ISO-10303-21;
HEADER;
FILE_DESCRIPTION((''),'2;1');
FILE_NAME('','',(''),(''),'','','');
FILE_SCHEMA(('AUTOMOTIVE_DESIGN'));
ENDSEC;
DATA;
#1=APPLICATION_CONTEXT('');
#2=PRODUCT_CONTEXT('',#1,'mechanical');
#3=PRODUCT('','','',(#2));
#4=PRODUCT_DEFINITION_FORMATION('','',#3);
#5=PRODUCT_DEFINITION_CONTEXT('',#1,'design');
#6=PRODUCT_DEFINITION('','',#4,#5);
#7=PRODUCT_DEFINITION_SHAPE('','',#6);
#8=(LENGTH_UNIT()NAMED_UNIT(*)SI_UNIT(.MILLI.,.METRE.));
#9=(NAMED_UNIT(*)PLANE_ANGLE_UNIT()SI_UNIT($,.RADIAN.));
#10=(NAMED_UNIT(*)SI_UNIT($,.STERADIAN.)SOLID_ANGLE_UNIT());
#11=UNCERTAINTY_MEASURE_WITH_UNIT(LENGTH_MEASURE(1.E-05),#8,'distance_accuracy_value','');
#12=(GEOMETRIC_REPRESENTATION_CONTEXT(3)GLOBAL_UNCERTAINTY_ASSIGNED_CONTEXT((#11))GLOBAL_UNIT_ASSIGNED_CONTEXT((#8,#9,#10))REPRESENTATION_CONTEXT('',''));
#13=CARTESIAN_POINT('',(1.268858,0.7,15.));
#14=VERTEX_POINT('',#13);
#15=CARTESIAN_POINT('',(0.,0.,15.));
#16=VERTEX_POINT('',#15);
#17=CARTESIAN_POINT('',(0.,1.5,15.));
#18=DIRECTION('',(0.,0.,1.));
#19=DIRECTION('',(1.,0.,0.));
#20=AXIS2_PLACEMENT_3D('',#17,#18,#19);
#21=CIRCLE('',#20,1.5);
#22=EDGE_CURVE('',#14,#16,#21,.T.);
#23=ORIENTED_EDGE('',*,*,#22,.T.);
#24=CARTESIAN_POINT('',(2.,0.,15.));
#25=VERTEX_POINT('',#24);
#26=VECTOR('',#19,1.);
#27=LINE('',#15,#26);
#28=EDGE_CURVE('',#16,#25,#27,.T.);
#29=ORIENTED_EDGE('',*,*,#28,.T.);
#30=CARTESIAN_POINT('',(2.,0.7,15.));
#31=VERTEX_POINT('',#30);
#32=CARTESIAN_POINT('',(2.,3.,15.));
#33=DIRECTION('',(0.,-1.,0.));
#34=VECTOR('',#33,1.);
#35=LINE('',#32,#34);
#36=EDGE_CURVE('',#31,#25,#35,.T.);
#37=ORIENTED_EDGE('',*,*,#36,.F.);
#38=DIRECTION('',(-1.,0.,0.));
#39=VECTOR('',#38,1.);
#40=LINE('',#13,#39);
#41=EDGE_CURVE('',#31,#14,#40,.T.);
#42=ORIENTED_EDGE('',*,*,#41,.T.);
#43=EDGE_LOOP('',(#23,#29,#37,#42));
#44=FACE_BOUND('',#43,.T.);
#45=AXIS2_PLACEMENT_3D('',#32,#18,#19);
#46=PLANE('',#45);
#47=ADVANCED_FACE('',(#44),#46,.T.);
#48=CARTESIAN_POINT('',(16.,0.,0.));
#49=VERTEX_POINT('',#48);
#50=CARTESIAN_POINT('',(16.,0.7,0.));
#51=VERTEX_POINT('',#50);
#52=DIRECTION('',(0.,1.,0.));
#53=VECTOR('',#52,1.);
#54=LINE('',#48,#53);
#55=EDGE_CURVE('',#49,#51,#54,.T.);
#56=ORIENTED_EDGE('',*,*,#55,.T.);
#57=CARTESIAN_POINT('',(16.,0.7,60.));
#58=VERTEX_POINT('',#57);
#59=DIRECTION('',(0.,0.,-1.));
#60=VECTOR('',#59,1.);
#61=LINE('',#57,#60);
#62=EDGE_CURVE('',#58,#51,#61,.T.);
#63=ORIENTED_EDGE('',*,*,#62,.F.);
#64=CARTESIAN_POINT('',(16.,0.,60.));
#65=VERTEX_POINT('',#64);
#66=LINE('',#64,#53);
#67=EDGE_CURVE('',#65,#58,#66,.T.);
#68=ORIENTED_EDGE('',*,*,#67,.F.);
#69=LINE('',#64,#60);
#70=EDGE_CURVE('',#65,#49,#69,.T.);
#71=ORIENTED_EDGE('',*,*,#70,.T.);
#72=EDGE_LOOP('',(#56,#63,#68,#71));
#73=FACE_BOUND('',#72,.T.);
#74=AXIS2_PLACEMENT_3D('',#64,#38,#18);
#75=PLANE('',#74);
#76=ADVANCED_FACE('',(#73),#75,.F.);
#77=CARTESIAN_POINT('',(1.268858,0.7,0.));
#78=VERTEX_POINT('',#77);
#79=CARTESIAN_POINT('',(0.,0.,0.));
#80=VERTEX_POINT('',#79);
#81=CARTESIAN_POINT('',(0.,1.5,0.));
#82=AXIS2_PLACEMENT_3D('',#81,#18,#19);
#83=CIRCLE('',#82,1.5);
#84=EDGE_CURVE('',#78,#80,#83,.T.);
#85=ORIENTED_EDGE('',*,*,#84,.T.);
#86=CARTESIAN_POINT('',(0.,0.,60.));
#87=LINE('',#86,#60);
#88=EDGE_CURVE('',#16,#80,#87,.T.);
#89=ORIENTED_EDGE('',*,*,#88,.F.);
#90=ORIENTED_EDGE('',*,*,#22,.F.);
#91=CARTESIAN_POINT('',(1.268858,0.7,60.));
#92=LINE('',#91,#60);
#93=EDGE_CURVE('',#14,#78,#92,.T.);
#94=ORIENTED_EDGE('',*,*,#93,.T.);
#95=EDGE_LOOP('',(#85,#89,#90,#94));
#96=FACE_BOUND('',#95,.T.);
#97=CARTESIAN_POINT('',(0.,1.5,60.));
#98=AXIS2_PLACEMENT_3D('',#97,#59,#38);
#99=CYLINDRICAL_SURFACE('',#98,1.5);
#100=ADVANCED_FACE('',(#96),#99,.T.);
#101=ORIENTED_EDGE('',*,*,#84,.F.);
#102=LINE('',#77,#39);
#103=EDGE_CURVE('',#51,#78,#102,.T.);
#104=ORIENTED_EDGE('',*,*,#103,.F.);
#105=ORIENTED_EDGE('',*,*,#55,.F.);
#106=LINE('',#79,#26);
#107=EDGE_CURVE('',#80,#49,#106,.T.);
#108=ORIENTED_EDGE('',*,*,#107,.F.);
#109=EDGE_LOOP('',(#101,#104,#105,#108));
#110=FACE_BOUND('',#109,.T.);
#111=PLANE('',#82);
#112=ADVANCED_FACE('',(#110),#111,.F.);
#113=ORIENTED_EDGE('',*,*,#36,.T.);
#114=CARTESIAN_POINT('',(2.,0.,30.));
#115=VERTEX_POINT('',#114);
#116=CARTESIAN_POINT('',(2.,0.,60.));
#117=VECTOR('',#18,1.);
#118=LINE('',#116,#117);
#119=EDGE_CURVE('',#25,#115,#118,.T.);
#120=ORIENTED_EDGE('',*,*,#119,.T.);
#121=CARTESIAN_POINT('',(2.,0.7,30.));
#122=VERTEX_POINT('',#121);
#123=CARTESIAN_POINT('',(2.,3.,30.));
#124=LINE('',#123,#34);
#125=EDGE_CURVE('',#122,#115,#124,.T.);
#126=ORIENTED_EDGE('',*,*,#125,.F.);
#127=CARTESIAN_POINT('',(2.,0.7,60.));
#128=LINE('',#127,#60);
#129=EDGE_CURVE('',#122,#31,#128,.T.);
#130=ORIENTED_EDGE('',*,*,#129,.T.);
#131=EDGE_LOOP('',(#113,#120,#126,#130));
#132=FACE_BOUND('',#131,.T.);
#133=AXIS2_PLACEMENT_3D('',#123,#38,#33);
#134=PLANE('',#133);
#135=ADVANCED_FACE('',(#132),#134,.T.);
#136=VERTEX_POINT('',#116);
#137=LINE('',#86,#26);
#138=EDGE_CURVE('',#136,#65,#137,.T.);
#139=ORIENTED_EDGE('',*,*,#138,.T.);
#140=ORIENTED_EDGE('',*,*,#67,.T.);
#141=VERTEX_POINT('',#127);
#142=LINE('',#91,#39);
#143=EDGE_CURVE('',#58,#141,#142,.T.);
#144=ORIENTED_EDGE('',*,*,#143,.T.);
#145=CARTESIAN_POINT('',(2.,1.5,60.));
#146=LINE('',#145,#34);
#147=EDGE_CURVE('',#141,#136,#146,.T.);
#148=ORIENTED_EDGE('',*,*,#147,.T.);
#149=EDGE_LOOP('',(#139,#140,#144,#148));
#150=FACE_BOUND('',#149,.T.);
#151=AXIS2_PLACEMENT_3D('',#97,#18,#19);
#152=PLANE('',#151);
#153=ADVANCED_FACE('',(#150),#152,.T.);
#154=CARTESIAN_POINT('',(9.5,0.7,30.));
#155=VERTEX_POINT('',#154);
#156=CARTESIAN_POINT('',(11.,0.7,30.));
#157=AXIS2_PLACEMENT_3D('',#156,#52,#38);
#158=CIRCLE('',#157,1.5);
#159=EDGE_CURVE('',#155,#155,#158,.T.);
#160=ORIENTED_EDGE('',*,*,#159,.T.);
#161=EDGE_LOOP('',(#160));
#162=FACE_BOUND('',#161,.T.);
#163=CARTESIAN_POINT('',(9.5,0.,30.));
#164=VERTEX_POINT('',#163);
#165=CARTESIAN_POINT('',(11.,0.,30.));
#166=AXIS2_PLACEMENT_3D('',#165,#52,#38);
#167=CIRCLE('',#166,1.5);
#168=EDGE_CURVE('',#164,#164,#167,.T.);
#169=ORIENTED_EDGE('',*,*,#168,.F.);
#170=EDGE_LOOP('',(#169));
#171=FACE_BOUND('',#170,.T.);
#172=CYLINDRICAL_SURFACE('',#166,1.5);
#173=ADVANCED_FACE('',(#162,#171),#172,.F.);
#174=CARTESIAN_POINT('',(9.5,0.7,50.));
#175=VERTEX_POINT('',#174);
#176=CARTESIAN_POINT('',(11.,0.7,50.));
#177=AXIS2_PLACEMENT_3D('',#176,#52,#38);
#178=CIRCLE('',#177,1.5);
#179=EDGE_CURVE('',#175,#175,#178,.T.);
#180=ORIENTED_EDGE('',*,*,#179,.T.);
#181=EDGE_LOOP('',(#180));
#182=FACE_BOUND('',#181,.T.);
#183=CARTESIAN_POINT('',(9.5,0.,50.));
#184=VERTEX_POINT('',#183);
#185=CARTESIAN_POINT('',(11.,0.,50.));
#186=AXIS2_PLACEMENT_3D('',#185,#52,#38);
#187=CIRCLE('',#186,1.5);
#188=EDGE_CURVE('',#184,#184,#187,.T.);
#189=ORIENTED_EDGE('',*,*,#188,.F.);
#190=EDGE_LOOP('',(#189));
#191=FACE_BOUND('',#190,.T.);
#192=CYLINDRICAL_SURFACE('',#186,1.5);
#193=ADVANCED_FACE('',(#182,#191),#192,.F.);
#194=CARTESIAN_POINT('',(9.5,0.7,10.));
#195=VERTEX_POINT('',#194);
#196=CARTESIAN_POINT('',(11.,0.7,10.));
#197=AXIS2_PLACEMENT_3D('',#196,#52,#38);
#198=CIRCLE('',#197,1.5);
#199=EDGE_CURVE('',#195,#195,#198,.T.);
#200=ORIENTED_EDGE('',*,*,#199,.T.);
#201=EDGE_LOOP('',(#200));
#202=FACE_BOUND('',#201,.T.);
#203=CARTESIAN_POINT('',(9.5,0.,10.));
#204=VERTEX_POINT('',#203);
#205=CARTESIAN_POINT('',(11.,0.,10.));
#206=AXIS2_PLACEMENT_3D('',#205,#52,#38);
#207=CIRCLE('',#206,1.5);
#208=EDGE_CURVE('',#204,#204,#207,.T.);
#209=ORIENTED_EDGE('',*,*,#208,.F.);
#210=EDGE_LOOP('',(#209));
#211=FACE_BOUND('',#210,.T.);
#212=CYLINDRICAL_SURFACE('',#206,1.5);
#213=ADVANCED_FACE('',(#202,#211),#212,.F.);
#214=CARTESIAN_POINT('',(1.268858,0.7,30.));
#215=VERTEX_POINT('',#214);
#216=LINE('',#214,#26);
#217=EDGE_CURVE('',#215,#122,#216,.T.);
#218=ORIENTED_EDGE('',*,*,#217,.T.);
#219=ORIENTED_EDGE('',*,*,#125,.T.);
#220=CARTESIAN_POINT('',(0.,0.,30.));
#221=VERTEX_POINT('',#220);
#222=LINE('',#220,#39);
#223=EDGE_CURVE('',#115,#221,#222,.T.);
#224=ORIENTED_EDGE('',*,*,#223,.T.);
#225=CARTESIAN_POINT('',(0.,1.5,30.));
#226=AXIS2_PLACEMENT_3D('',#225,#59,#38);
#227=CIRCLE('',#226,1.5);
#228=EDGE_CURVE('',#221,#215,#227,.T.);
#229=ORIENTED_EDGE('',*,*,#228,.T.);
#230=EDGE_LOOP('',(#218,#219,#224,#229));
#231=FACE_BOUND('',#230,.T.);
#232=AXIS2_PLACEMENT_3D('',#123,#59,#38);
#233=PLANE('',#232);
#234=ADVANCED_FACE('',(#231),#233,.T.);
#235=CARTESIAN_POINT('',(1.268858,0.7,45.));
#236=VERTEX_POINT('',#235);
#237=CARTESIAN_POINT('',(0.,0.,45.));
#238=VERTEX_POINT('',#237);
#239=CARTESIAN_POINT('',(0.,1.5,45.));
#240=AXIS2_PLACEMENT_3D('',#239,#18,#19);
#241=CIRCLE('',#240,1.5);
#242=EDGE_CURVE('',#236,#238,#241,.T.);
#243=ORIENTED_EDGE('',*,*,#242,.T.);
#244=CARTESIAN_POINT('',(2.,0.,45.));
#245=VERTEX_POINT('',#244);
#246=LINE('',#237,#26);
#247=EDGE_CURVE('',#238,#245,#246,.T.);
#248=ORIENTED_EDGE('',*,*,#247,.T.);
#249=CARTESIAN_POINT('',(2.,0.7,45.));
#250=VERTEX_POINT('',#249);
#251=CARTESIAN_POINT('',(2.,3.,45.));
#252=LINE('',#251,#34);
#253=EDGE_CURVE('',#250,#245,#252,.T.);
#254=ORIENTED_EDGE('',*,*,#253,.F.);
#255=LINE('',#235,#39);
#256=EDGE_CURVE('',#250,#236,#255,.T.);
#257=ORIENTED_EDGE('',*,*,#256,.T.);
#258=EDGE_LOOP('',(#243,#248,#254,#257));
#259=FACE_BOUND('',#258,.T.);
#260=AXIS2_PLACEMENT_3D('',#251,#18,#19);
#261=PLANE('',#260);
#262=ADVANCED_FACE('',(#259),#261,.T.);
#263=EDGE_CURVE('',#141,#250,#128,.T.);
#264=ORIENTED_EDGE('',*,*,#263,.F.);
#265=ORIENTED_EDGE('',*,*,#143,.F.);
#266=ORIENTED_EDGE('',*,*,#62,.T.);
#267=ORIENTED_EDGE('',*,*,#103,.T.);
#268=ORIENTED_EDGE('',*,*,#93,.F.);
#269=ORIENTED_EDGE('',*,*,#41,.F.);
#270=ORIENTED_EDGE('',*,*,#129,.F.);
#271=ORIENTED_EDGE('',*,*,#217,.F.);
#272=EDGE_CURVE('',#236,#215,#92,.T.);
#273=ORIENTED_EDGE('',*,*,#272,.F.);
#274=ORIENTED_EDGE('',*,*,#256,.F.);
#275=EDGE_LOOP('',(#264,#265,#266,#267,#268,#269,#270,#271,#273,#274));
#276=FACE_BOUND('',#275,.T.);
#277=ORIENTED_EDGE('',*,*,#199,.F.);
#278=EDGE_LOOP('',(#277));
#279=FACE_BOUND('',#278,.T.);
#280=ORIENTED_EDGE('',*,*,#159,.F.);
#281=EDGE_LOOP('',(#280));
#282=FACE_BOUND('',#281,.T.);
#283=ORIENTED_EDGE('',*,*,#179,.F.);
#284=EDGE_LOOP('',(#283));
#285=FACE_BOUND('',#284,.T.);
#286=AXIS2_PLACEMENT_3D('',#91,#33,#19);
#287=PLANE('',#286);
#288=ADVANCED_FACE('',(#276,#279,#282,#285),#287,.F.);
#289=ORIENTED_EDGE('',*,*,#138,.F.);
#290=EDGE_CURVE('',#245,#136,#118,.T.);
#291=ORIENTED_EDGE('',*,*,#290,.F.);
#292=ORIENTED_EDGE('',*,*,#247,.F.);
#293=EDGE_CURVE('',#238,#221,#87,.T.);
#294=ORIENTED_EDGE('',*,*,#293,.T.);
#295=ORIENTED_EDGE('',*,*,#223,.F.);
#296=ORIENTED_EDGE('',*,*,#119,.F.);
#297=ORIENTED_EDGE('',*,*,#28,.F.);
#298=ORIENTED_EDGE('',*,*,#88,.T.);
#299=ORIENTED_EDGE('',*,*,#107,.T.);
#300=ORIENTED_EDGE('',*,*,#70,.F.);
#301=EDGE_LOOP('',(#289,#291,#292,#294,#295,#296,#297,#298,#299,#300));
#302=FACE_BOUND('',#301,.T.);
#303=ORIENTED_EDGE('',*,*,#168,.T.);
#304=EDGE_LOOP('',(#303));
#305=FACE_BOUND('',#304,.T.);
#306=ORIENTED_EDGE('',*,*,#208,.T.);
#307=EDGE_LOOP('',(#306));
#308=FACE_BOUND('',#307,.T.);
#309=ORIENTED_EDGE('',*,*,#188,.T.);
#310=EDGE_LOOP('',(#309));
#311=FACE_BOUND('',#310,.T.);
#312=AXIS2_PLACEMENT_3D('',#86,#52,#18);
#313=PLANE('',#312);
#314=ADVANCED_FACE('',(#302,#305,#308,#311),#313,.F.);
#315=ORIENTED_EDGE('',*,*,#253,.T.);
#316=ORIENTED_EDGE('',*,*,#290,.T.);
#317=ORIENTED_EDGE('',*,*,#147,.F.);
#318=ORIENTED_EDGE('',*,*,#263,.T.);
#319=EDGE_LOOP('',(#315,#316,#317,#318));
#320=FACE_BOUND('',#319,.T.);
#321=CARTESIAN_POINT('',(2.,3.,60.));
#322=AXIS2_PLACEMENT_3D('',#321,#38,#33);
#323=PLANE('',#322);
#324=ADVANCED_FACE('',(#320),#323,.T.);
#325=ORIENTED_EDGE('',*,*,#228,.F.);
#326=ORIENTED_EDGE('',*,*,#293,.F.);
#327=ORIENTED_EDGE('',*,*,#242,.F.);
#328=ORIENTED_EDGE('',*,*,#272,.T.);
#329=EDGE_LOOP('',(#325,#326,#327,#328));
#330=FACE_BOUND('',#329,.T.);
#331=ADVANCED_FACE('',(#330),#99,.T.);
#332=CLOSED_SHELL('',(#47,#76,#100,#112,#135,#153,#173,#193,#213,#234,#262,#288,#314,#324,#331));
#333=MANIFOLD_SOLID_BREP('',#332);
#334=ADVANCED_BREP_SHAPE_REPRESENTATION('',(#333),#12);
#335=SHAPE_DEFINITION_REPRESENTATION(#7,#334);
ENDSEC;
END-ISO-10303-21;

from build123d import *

# Parameters (mm, degrees)
EXTRUSION1_DEPTH           = 60
EXTRUSION2_START           = -10
ESQUISSE2_W                = 7.046962448
ESQUISSE2_H                = 15
EXTRUSION2_DEPTH           = 73.139279043
R_P_TITION_LIN_AIRE1_COUNT = 2
R_P_TITION_LIN_AIRE1_PITCH = 30
ESQUISSE3_R                = 1.5
EXTRUSION3_DEPTH           = 63.139279043
R_P_TITION_LIN_AIRE2_COUNT = 3
R_P_TITION_LIN_AIRE2_PITCH = 20


with BuildPart() as part:
    # Esquisse1 → Extrusion1 (new body)
    with BuildSketch(Plane.XY):
        with BuildLine():
            Line((0, 0), (16, 0))
            Line((16, 0), (16, 0.7))
            Line((16, 0.7), (1.268857754, 0.7))
            ThreePointArc((1.268857754, 0.7), (-0.724568837, 2.813392554), (0, 0))
        make_face()
    extrude(amount=EXTRUSION1_DEPTH)

    # Esquisse2 → Extrusion2 (cut, through all)
    with BuildSketch(Plane(origin=(0, 0.7, 0), x_dir=(1, 0, 0), z_dir=(0, 1, 0)).offset(EXTRUSION2_START)):
        with Locations((-1.523481224, -52.5)):
            Rectangle(ESQUISSE2_W, ESQUISSE2_H)
    extrusion2 = extrude(amount=EXTRUSION2_DEPTH, mode=Mode.SUBTRACT)

    # Répétition linéaire1: Extrusion2 ×2
    with Locations(*[(0, 0, -i * R_P_TITION_LIN_AIRE1_PITCH) for i in range(1, R_P_TITION_LIN_AIRE1_COUNT)]):
        add(extrusion2, mode=Mode.SUBTRACT)

    # Esquisse3 → Extrusion3 (cut, through all)
    with BuildSketch(Plane(origin=(0, 0.7, 0), x_dir=(1, 0, 0), z_dir=(0, 1, 0))):
        with Locations(Location((11, -50, 0), (0, 0, 180))):
            Circle(ESQUISSE3_R)
    extrusion3 = extrude(amount=-EXTRUSION3_DEPTH, mode=Mode.SUBTRACT)

    # Répétition linéaire2: Extrusion3 ×3
    with Locations(*[(0, 0, -i * R_P_TITION_LIN_AIRE2_PITCH) for i in range(1, R_P_TITION_LIN_AIRE2_COUNT)]):
        add(extrusion3, mode=Mode.SUBTRACT)


solid = part.part
